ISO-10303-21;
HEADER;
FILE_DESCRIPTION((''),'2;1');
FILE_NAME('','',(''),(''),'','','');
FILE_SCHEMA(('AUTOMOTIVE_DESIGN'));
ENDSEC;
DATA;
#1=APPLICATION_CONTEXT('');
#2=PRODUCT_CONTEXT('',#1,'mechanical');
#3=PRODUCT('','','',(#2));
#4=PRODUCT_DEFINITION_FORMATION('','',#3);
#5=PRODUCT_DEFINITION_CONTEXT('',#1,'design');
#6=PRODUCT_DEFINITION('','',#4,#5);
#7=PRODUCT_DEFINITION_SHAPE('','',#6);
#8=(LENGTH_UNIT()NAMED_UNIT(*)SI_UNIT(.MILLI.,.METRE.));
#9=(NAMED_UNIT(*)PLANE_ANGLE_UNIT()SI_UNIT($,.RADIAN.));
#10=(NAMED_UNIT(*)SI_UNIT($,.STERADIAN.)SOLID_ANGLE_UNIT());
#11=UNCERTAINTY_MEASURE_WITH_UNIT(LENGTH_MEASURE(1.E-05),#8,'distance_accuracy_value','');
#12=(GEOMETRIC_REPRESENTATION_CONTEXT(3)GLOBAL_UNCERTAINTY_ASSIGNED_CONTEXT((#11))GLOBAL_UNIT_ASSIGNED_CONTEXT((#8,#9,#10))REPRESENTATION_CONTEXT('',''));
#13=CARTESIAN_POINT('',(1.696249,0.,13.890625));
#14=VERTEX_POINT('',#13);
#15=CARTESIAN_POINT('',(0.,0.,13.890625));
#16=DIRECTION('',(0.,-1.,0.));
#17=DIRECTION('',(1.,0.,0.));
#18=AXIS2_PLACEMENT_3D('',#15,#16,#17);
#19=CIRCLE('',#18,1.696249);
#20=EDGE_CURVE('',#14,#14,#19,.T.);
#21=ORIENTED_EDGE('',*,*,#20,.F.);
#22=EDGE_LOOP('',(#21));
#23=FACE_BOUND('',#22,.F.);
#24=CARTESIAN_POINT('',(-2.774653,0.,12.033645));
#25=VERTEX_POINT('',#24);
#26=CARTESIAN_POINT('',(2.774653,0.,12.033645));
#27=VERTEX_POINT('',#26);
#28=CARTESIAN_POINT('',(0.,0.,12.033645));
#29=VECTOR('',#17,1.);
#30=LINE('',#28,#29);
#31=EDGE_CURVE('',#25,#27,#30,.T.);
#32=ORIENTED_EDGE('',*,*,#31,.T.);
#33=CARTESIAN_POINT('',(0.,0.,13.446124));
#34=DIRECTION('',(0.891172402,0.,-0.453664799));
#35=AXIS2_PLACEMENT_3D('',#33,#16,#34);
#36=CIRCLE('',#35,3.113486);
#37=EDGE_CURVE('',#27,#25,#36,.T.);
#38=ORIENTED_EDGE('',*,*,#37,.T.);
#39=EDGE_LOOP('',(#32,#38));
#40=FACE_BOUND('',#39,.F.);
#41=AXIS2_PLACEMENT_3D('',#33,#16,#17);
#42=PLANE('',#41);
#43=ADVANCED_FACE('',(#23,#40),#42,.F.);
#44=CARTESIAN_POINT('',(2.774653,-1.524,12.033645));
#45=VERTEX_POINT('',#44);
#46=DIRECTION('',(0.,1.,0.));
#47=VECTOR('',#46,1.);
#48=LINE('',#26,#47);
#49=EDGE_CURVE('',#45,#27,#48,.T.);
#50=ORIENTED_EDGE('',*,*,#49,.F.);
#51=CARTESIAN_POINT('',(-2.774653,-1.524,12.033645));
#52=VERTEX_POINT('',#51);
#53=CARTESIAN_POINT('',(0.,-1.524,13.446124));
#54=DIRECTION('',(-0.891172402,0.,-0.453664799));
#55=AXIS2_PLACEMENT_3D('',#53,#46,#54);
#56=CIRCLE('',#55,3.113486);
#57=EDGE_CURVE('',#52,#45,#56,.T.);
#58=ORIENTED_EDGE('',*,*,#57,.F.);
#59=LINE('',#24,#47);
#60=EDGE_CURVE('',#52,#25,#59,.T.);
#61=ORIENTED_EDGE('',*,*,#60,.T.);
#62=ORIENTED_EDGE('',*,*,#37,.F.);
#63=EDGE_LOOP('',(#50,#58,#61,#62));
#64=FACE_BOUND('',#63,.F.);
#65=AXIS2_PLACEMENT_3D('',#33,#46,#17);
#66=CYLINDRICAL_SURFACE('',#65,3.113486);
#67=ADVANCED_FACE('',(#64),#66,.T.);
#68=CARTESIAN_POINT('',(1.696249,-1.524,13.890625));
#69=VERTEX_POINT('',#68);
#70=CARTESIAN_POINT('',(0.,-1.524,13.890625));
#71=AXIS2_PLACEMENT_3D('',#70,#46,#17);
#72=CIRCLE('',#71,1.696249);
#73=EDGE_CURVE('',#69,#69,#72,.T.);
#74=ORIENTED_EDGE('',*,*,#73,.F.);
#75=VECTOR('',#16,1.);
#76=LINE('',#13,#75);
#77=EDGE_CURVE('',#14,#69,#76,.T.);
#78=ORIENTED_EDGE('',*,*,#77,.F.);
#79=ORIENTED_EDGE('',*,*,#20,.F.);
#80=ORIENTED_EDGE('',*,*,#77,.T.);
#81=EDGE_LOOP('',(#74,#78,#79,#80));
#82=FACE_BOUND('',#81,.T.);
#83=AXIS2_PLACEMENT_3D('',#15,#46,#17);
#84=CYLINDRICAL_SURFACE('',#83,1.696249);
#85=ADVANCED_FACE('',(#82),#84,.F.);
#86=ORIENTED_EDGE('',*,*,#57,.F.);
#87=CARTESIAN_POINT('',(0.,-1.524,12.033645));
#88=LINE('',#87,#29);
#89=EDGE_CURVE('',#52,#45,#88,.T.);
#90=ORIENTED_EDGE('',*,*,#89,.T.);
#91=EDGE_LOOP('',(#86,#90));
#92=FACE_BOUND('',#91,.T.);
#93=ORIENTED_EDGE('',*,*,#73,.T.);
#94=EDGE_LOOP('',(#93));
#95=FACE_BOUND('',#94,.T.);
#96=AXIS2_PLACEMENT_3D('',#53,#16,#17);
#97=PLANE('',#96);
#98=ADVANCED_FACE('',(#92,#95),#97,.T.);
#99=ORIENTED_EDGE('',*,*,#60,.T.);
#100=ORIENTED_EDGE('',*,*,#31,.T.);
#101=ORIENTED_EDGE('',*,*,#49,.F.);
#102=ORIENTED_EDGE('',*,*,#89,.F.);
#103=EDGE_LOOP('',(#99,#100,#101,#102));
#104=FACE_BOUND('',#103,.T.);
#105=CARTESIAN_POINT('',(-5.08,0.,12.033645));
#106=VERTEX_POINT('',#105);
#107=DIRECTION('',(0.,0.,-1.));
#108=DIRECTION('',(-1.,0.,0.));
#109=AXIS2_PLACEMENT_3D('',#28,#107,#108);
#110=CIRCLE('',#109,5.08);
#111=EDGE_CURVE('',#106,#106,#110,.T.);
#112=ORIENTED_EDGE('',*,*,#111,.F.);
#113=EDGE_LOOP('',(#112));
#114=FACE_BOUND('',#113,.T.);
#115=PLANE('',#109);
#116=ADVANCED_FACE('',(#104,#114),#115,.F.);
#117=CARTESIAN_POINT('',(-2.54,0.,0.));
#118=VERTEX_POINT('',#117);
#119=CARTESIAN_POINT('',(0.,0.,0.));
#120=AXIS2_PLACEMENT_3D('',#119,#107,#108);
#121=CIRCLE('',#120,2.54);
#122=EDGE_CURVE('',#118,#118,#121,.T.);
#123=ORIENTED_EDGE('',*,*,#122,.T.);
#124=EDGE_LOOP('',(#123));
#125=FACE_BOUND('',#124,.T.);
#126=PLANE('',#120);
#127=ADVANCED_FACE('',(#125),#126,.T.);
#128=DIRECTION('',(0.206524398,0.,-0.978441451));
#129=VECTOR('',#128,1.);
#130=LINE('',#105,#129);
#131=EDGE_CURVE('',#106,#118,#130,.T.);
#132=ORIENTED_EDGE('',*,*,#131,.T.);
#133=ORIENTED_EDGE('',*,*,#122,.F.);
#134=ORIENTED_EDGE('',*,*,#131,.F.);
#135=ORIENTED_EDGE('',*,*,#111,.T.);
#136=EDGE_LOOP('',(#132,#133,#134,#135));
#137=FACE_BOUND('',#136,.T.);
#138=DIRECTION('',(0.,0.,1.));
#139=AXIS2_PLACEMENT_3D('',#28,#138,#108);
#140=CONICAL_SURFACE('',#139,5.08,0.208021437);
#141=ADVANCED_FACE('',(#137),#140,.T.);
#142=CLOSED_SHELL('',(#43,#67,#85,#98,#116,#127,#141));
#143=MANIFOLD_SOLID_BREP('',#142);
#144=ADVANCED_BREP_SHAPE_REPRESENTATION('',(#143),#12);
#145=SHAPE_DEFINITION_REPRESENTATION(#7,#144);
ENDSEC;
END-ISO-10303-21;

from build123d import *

# Parameters (mm, degrees)
F2_R     = 0.057539
F3_DEPTH = 12.7
F4_R     = 3.113486
F5_DEPTH = 1.524
F6_R     = 1.696249
F7_DEPTH = 27.432


with BuildPart() as f1:
    # F0 (on Front) → F1 (revolve)
    with BuildSketch(Plane.XZ):
        Polygon((-2.54, 0), (0, 0), (0, 12.033645), (-5.08, 12.033645), align=None)
    revolve(axis=Axis((0, 0, 6.016822), (0, 0, -1)))

    # F2 (on Right) → F3 (cut, symmetric)
    with BuildSketch(Plane.YZ):
        with Locations((0, 19.658387)):
            Circle(F2_R)
    extrude(amount=F3_DEPTH, both=True, mode=Mode.SUBTRACT)

    # F4 (on Front) → F5 (join)
    with BuildSketch(Plane.XZ):
        with Locations((0, 13.446124)):
            Circle(F4_R)
    extrude(amount=F5_DEPTH)

    # F6 (on Front) → F7 (cut)
    with BuildSketch(Plane.XZ):
        with Locations((0, 13.890625)):
            Circle(F6_R)
    extrude(amount=F7_DEPTH, mode=Mode.SUBTRACT)


solid = f1.part
